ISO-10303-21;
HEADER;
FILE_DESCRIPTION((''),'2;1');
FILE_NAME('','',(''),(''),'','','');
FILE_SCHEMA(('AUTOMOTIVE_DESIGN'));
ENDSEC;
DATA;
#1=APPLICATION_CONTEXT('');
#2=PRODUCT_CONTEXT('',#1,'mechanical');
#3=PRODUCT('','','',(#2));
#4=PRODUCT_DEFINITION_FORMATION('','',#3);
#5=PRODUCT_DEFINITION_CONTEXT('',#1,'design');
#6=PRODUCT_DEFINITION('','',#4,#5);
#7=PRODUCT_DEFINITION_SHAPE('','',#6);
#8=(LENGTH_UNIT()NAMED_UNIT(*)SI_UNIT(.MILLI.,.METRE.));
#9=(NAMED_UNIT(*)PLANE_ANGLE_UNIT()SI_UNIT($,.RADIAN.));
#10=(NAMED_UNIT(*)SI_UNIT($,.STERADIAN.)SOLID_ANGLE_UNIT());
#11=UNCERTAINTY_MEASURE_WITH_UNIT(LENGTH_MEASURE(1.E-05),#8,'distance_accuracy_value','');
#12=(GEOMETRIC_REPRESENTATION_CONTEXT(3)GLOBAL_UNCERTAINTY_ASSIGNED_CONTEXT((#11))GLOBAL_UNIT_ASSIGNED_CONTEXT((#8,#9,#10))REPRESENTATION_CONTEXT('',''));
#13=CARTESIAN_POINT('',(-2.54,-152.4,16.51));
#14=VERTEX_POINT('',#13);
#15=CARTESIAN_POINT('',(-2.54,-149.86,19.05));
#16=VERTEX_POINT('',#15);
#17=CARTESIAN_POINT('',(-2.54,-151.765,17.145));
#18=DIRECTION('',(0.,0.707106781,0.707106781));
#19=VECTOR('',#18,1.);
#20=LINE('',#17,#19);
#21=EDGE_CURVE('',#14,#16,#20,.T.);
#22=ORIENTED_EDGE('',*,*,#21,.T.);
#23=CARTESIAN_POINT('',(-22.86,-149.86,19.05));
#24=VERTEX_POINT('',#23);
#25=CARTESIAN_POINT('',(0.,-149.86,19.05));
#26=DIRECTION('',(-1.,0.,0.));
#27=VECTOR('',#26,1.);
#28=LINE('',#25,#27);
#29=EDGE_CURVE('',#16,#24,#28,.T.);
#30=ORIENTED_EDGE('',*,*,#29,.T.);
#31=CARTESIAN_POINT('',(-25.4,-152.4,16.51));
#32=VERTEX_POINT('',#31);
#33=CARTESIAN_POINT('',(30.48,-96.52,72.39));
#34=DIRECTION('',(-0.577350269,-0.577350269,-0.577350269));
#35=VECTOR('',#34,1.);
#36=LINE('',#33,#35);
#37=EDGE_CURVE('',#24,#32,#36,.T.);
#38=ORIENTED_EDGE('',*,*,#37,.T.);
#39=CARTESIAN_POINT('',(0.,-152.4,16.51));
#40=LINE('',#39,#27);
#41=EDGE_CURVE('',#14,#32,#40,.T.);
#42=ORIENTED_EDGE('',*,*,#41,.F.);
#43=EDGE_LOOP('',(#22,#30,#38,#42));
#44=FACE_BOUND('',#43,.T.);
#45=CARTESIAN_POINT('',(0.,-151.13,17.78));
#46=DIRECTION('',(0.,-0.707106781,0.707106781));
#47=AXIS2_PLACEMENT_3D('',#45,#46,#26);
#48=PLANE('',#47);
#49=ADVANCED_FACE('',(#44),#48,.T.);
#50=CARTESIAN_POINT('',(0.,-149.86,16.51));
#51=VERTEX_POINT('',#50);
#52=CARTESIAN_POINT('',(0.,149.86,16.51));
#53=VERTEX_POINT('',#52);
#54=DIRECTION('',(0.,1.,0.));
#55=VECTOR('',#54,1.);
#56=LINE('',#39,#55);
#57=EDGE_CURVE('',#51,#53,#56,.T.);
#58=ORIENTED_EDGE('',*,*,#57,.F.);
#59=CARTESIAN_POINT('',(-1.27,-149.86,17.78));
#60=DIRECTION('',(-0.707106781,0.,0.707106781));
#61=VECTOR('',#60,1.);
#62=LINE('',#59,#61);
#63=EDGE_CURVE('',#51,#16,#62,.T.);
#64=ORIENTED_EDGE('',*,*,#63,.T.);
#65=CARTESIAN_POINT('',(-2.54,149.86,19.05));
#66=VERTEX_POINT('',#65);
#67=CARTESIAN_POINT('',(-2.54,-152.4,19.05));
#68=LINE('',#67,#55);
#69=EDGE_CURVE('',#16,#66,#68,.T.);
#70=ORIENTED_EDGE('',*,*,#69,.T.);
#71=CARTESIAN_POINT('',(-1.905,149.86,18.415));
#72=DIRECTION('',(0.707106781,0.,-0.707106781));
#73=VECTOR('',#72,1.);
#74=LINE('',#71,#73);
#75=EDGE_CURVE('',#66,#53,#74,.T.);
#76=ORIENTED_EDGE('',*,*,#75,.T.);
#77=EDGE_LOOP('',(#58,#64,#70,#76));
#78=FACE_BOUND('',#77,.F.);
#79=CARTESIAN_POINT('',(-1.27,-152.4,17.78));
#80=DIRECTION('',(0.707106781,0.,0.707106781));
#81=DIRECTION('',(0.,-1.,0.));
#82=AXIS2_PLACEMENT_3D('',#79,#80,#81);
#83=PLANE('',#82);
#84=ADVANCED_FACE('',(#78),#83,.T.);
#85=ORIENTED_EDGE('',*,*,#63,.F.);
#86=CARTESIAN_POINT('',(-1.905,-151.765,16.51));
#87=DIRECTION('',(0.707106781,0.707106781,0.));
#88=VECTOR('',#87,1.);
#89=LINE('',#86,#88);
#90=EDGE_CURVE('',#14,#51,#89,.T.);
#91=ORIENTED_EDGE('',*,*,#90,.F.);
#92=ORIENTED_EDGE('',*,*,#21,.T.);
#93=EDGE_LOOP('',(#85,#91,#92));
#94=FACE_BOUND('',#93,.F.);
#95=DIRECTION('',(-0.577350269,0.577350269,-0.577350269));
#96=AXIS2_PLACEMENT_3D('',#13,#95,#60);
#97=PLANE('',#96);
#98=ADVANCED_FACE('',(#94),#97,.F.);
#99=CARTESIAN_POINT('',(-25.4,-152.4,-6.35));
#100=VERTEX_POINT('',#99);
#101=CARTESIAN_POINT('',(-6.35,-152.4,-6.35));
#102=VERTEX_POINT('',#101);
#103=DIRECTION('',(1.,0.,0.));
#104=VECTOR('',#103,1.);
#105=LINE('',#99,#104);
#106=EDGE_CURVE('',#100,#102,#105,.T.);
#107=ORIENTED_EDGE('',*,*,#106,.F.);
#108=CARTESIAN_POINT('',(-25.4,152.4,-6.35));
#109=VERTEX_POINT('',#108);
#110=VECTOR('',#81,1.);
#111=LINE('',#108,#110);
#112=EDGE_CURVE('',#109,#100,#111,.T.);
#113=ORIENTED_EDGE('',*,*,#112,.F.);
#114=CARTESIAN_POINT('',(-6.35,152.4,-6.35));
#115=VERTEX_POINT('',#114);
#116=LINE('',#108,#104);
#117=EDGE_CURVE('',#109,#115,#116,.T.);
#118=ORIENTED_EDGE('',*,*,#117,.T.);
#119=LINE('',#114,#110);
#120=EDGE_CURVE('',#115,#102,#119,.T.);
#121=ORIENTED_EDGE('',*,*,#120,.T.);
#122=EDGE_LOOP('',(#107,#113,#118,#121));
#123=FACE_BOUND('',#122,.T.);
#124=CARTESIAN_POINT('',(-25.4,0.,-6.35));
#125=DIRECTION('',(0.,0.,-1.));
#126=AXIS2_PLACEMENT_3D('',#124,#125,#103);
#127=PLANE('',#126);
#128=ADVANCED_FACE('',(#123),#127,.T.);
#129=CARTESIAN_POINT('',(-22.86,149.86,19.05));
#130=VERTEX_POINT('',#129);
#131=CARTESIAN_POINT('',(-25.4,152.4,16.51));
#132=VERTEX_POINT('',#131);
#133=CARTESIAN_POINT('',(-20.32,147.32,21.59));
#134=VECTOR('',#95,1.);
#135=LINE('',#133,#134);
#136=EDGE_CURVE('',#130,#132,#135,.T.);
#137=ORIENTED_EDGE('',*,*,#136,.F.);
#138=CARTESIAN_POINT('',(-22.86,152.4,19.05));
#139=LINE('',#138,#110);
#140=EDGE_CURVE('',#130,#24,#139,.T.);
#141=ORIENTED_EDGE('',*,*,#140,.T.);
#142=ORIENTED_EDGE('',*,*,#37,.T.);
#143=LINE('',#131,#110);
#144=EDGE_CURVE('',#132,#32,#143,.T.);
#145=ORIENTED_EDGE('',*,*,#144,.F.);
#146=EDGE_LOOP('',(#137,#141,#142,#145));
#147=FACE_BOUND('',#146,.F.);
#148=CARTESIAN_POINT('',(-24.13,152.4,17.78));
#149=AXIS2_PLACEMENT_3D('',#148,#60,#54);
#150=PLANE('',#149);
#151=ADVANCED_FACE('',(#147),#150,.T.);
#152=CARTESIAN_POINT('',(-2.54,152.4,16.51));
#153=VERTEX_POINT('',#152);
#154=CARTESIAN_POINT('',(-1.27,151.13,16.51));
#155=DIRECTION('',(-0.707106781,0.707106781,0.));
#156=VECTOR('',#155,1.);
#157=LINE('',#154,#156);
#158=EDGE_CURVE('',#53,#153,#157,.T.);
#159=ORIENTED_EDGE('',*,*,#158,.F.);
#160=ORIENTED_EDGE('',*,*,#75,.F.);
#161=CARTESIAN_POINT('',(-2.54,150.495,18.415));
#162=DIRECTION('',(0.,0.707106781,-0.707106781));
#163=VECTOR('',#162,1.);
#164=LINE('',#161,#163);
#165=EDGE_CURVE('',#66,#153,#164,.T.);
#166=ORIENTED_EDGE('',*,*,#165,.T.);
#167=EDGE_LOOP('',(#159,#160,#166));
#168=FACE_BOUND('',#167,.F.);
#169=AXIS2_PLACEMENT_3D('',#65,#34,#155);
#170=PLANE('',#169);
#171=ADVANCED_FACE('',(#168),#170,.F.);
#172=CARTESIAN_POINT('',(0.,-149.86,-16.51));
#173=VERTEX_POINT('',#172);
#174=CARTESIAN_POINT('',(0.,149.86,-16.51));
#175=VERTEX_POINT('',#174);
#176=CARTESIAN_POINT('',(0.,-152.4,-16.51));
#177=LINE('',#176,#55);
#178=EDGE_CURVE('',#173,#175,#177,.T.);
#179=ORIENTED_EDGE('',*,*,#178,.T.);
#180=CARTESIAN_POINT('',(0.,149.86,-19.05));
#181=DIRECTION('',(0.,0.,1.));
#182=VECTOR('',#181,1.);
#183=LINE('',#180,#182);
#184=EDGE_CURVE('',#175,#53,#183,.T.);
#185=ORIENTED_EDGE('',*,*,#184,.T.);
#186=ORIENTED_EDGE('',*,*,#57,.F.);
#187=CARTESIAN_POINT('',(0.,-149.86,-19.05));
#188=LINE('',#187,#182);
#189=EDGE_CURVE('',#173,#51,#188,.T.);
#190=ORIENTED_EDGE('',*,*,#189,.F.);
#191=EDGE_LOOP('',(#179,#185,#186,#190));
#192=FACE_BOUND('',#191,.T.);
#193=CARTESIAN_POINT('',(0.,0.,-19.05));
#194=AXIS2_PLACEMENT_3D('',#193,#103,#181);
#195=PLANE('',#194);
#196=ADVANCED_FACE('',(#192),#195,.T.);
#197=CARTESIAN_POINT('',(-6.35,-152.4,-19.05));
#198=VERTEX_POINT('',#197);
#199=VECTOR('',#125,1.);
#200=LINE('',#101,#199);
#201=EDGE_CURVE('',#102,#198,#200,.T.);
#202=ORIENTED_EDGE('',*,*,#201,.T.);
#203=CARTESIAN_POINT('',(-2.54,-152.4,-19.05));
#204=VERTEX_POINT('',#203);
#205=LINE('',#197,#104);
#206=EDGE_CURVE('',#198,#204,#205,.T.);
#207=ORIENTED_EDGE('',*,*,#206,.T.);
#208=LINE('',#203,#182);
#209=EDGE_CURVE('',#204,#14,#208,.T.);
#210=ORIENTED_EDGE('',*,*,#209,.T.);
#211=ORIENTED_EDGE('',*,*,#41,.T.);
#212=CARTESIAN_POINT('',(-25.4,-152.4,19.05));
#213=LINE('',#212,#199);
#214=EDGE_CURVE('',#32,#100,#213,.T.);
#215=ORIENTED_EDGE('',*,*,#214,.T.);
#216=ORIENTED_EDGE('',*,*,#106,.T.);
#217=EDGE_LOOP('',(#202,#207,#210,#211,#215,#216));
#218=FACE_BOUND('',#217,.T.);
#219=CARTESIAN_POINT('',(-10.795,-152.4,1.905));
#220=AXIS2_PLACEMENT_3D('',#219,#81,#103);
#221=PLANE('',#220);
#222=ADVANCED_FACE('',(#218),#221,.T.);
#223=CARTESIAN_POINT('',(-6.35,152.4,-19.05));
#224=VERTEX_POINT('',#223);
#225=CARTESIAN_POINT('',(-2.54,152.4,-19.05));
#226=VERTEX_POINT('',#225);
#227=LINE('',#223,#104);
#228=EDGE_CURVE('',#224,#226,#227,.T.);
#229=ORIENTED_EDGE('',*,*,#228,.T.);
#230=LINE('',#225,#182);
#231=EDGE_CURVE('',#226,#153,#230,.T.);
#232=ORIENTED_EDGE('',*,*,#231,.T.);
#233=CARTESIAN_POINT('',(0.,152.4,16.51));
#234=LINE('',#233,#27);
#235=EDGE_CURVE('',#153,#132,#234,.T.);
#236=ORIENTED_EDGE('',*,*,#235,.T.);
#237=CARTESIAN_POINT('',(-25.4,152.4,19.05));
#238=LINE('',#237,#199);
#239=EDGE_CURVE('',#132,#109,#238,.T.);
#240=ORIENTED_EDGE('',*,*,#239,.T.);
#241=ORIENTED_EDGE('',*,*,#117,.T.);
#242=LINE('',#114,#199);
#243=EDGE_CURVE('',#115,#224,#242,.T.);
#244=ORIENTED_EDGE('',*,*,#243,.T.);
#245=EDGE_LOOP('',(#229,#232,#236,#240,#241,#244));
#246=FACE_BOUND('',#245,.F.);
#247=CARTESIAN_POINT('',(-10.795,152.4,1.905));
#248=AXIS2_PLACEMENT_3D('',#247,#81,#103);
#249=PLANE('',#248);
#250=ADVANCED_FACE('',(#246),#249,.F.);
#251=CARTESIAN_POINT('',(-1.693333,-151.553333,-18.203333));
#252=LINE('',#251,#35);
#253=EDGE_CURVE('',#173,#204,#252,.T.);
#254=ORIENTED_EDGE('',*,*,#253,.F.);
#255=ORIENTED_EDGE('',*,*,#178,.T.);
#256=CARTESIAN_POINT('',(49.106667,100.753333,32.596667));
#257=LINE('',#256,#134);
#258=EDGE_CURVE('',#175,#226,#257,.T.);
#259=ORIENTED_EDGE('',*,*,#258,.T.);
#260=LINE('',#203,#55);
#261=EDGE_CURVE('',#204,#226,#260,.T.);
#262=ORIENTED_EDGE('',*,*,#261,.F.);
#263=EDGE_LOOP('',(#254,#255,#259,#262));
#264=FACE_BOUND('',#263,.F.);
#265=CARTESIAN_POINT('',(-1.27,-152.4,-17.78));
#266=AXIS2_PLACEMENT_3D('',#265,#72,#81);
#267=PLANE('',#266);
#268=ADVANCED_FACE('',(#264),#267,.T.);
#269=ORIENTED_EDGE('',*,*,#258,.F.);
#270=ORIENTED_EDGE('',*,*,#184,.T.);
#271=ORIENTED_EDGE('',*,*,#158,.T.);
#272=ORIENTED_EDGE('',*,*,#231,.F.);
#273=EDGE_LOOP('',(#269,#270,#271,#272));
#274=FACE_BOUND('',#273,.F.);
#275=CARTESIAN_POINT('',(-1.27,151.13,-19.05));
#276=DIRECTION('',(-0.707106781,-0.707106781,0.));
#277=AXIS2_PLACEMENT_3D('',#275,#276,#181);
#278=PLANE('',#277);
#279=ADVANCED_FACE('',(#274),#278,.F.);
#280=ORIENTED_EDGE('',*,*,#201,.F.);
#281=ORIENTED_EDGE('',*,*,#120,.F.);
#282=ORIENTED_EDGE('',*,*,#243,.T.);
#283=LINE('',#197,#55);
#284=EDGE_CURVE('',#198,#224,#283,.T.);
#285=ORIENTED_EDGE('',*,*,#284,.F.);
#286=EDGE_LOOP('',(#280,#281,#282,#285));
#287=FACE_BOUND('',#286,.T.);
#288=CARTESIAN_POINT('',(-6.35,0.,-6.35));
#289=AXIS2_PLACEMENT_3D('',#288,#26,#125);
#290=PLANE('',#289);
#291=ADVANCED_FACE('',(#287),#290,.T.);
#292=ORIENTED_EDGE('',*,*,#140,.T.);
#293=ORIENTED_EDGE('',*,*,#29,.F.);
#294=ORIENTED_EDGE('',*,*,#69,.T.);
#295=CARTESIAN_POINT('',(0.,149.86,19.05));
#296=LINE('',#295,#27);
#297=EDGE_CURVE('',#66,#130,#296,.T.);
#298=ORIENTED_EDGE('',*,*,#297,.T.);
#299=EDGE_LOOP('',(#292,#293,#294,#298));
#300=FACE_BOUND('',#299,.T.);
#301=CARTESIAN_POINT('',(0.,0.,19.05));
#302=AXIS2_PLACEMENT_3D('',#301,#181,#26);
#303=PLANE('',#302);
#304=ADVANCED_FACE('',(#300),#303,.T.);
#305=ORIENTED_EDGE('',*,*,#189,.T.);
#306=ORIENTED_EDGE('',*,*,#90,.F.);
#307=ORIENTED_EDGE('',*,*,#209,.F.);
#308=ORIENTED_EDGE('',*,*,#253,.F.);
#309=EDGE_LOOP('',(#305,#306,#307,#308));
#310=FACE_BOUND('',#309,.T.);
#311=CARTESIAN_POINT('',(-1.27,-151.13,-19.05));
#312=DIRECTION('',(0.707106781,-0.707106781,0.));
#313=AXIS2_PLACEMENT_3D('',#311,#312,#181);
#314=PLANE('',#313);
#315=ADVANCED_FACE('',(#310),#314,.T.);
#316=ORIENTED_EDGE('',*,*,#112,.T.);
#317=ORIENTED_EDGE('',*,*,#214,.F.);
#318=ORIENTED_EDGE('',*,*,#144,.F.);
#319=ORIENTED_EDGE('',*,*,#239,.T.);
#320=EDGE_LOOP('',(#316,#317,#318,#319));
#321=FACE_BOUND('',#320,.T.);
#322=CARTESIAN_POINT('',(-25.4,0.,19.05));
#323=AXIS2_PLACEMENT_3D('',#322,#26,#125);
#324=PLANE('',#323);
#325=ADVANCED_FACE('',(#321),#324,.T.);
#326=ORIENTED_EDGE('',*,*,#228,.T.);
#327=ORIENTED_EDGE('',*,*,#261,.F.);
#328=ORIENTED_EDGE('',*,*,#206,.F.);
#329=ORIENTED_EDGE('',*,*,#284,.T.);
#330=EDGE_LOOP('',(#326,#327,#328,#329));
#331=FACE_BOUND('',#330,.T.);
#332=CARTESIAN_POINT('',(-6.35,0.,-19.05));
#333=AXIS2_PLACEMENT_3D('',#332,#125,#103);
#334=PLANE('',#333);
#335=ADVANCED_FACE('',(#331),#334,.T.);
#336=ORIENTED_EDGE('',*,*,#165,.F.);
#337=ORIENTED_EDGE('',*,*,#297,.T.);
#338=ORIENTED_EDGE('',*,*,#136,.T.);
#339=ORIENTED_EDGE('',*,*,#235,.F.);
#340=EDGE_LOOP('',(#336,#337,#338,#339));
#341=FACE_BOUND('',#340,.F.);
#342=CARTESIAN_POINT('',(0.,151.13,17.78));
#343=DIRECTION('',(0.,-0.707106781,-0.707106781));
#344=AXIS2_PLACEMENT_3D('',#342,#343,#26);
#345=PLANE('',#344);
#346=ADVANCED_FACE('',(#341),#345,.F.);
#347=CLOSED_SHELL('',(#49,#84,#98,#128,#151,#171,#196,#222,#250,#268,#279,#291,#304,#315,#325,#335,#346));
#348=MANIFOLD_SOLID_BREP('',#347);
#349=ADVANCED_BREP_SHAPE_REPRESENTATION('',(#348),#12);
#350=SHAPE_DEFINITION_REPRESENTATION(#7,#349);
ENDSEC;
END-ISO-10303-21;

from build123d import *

# Parameters (mm, degrees)
F1_DEPTH = 152.4
F2_SIZE  = 2.54


with BuildPart() as f1:
    # F0 (on Front) → F1 (new body, symmetric)
    with BuildSketch(Plane.XZ):
        Polygon((0, 19.05), (-25.4, 19.05), (-25.4, -6.35), (-6.35, -6.35), (-6.35, -19.05), (0, -19.05), align=None)
    extrude(amount=F1_DEPTH, both=True)

    # F2
    f2_edges = [f1.edges().sort_by_distance(p)[0] for p in [
        (0, 152.4, 0),
        (0, 0, 19.05),
        (0, -152.4, 0),
        (0, 0, -19.05),
        (-12.7, 152.4, 19.05),
        (-25.4, 0, 19.05),
        (-12.7, -152.4, 19.05),
    ]]
    chamfer(f2_edges, length=F2_SIZE)


solid = f1.part
